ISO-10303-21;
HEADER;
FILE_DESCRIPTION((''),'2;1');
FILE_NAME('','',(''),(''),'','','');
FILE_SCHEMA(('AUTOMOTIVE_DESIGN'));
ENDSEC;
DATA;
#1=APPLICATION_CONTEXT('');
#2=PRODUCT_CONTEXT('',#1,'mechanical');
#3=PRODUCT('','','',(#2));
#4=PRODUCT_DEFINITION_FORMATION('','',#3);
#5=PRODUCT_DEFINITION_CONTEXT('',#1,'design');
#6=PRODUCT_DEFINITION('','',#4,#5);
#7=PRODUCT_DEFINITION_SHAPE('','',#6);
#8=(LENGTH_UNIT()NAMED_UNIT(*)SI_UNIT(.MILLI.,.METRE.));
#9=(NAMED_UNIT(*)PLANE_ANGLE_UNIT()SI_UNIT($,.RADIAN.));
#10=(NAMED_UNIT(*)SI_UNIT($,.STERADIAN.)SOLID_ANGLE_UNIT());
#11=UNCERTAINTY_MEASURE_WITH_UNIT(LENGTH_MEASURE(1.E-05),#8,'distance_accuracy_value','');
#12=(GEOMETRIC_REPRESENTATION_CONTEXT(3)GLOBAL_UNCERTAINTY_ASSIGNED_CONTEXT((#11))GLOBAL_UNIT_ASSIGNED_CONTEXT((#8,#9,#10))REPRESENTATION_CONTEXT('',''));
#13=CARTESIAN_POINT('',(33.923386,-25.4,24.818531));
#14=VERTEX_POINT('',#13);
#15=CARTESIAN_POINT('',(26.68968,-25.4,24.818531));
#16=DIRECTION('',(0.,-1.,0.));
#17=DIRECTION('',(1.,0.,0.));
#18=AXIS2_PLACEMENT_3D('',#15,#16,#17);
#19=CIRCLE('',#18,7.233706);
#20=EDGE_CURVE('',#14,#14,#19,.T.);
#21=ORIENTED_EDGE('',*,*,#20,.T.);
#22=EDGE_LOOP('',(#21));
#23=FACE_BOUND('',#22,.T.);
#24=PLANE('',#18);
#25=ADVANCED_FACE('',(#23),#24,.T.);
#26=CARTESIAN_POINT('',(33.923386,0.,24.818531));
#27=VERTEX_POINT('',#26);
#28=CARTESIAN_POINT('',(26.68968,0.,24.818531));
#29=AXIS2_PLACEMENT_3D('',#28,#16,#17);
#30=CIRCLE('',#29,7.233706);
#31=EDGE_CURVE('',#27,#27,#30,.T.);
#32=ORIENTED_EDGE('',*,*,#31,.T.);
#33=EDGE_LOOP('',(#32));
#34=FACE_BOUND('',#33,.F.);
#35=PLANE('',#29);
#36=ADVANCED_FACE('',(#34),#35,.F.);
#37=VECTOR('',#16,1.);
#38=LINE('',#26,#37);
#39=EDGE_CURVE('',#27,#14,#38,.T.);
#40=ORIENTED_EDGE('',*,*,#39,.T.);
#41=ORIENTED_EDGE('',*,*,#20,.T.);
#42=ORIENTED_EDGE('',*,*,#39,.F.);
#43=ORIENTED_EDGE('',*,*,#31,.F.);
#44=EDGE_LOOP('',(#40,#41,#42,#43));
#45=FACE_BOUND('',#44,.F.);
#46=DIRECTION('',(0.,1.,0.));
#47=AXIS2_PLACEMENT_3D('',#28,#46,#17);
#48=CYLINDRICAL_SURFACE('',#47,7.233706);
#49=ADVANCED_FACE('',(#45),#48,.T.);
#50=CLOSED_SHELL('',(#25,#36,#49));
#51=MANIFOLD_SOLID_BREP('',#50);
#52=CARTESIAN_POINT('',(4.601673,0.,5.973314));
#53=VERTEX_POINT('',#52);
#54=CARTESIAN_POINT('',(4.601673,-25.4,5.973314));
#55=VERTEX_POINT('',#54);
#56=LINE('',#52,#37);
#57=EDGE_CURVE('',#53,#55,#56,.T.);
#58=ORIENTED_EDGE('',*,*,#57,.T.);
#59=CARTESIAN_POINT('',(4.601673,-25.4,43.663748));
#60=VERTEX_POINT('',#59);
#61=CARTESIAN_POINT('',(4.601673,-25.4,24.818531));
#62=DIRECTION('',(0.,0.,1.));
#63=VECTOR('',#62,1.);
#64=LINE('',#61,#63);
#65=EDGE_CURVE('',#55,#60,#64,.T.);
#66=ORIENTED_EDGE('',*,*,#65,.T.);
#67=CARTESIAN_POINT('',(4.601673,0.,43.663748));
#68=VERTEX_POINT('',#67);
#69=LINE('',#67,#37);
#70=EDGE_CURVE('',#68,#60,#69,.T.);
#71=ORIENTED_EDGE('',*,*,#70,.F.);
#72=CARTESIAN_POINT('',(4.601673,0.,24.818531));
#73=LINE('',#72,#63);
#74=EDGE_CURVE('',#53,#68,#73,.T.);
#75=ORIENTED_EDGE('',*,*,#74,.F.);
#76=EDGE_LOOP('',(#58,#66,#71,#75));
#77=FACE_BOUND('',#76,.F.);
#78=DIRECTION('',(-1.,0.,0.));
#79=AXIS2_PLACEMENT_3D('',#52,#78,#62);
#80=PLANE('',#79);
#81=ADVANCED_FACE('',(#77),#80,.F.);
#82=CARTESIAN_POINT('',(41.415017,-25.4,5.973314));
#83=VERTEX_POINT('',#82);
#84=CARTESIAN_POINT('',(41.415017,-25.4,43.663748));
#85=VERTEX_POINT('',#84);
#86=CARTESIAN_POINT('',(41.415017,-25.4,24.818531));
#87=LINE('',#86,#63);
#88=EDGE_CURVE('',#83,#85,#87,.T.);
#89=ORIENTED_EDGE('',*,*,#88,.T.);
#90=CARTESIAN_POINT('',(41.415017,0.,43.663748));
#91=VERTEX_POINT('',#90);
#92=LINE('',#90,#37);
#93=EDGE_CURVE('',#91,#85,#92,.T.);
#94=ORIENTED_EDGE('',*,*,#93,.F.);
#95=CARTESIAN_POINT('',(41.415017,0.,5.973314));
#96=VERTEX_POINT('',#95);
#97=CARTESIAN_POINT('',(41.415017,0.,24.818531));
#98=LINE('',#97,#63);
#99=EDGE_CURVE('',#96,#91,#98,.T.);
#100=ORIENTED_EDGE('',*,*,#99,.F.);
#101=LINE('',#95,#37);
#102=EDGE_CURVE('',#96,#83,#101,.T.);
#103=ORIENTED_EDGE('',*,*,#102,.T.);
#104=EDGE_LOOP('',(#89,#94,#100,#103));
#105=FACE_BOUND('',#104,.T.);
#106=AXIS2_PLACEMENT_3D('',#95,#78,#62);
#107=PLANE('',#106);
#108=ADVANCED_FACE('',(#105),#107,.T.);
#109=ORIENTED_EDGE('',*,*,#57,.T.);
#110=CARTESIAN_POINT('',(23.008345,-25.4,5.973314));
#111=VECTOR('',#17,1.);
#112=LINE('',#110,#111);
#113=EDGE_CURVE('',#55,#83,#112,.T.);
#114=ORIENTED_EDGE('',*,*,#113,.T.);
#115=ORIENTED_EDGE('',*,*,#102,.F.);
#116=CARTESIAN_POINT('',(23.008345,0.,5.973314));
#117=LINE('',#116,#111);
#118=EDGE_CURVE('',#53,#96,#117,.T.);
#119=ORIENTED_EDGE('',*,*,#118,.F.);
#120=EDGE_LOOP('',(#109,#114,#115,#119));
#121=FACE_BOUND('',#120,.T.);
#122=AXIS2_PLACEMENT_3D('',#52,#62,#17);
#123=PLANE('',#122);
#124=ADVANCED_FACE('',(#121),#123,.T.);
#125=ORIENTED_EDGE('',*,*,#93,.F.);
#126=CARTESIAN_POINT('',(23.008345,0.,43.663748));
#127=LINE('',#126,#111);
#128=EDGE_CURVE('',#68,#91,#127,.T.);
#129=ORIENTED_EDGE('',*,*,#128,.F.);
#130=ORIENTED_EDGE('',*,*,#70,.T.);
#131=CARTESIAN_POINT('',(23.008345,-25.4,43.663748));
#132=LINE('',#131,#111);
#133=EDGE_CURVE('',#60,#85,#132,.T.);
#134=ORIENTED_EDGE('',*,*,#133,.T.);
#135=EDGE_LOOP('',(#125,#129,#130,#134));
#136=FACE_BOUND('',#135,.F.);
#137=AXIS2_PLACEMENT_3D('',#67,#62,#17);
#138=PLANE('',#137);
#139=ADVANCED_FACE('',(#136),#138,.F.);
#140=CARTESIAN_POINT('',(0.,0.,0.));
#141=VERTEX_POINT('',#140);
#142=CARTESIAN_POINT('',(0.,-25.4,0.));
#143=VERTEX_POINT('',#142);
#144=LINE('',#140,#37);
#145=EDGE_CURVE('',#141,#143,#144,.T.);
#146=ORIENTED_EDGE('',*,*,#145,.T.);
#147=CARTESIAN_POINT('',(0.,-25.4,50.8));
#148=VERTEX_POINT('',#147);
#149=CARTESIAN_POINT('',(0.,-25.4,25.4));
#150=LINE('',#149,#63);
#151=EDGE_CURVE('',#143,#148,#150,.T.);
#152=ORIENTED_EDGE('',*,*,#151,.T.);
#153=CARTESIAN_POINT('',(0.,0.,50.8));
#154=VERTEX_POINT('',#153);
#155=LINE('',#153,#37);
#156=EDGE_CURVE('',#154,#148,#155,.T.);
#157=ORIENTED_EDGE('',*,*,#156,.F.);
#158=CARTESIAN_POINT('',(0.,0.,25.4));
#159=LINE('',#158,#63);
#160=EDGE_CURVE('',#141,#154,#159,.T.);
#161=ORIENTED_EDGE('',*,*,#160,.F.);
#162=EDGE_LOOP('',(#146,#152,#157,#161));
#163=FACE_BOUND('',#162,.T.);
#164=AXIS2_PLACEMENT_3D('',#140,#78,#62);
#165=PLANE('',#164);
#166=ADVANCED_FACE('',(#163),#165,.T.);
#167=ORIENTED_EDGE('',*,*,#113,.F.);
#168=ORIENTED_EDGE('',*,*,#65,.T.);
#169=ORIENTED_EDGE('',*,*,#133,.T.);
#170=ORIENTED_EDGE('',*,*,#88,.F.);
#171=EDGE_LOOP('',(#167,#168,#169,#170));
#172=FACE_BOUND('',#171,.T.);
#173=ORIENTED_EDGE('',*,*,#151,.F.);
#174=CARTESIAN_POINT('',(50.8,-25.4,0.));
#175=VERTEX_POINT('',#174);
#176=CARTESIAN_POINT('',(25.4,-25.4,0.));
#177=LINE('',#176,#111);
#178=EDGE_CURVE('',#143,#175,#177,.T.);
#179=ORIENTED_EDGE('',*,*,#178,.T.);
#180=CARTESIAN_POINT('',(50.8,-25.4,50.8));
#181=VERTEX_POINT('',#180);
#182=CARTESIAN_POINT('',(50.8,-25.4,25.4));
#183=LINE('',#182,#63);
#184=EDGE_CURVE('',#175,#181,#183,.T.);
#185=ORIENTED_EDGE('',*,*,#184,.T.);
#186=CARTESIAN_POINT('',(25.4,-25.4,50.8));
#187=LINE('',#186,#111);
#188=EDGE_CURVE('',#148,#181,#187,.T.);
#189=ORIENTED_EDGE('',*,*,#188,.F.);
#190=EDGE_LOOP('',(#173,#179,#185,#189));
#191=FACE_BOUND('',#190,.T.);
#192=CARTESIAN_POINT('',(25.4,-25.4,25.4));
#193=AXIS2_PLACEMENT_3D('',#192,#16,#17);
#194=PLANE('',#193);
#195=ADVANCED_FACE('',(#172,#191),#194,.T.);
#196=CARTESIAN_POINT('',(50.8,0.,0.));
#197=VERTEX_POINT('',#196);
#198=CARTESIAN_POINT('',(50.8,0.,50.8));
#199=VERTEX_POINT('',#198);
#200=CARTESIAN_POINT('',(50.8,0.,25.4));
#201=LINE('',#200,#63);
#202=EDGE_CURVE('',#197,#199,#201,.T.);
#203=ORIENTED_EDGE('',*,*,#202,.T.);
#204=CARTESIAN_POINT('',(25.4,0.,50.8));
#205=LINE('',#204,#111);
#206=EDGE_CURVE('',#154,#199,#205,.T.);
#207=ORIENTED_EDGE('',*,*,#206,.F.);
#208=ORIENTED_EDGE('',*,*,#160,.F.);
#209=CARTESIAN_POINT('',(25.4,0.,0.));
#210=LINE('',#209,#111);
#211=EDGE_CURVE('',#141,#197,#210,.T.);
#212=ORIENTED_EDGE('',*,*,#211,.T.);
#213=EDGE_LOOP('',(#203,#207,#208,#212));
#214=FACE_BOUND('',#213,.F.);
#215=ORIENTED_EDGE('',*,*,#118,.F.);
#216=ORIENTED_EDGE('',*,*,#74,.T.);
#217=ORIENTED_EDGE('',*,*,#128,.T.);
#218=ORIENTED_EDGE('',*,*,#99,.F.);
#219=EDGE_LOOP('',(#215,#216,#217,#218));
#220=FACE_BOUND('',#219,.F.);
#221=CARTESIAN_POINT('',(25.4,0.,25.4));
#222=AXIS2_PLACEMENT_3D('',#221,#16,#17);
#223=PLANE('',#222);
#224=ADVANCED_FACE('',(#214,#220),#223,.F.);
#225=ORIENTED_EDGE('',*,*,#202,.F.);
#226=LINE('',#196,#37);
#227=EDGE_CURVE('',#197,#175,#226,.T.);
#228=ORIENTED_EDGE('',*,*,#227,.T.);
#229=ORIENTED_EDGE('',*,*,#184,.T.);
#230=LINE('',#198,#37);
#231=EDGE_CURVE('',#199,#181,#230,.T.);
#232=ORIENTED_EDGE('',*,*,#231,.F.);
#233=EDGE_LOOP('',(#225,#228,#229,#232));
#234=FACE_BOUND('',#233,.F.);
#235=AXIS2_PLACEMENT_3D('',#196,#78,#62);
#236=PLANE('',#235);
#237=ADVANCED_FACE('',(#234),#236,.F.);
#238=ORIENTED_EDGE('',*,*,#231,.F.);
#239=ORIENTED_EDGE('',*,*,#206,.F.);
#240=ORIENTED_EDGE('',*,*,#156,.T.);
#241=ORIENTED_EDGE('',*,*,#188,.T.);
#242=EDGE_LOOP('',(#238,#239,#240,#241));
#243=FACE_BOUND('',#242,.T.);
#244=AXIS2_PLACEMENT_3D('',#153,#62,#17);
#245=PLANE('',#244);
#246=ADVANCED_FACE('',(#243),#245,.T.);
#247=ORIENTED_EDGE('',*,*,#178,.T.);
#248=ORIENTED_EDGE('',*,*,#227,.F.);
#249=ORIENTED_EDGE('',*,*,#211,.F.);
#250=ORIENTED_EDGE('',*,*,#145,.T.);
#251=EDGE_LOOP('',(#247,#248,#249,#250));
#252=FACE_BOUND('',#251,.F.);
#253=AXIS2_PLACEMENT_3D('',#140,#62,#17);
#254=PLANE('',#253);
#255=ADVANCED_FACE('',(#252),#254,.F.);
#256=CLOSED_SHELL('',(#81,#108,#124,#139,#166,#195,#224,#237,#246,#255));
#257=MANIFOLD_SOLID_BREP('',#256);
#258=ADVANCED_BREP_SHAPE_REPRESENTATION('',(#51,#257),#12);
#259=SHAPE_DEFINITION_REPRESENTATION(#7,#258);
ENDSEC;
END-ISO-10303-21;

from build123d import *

# Parameters (mm, degrees)
F0_W     = 50.8
F0_H     = 50.8
F0_W_2   = 36.813344
F0_H_2   = 37.690434
F0_R     = 7.233706
F1_DEPTH = 25.4


with BuildPart() as f1:
    # F0 (on Front) → F1 (new body)
    with BuildSketch(Plane.XZ):
        with Locations((25.4, 25.4)):
            Rectangle(F0_W, F0_H)
        with Locations((23.008345, 24.818531)):
            Rectangle(F0_W_2, F0_H_2, mode=Mode.SUBTRACT)
        with Locations((26.68968, 24.818531)):
            Circle(F0_R)
    extrude(amount=F1_DEPTH)


solid = f1.part
